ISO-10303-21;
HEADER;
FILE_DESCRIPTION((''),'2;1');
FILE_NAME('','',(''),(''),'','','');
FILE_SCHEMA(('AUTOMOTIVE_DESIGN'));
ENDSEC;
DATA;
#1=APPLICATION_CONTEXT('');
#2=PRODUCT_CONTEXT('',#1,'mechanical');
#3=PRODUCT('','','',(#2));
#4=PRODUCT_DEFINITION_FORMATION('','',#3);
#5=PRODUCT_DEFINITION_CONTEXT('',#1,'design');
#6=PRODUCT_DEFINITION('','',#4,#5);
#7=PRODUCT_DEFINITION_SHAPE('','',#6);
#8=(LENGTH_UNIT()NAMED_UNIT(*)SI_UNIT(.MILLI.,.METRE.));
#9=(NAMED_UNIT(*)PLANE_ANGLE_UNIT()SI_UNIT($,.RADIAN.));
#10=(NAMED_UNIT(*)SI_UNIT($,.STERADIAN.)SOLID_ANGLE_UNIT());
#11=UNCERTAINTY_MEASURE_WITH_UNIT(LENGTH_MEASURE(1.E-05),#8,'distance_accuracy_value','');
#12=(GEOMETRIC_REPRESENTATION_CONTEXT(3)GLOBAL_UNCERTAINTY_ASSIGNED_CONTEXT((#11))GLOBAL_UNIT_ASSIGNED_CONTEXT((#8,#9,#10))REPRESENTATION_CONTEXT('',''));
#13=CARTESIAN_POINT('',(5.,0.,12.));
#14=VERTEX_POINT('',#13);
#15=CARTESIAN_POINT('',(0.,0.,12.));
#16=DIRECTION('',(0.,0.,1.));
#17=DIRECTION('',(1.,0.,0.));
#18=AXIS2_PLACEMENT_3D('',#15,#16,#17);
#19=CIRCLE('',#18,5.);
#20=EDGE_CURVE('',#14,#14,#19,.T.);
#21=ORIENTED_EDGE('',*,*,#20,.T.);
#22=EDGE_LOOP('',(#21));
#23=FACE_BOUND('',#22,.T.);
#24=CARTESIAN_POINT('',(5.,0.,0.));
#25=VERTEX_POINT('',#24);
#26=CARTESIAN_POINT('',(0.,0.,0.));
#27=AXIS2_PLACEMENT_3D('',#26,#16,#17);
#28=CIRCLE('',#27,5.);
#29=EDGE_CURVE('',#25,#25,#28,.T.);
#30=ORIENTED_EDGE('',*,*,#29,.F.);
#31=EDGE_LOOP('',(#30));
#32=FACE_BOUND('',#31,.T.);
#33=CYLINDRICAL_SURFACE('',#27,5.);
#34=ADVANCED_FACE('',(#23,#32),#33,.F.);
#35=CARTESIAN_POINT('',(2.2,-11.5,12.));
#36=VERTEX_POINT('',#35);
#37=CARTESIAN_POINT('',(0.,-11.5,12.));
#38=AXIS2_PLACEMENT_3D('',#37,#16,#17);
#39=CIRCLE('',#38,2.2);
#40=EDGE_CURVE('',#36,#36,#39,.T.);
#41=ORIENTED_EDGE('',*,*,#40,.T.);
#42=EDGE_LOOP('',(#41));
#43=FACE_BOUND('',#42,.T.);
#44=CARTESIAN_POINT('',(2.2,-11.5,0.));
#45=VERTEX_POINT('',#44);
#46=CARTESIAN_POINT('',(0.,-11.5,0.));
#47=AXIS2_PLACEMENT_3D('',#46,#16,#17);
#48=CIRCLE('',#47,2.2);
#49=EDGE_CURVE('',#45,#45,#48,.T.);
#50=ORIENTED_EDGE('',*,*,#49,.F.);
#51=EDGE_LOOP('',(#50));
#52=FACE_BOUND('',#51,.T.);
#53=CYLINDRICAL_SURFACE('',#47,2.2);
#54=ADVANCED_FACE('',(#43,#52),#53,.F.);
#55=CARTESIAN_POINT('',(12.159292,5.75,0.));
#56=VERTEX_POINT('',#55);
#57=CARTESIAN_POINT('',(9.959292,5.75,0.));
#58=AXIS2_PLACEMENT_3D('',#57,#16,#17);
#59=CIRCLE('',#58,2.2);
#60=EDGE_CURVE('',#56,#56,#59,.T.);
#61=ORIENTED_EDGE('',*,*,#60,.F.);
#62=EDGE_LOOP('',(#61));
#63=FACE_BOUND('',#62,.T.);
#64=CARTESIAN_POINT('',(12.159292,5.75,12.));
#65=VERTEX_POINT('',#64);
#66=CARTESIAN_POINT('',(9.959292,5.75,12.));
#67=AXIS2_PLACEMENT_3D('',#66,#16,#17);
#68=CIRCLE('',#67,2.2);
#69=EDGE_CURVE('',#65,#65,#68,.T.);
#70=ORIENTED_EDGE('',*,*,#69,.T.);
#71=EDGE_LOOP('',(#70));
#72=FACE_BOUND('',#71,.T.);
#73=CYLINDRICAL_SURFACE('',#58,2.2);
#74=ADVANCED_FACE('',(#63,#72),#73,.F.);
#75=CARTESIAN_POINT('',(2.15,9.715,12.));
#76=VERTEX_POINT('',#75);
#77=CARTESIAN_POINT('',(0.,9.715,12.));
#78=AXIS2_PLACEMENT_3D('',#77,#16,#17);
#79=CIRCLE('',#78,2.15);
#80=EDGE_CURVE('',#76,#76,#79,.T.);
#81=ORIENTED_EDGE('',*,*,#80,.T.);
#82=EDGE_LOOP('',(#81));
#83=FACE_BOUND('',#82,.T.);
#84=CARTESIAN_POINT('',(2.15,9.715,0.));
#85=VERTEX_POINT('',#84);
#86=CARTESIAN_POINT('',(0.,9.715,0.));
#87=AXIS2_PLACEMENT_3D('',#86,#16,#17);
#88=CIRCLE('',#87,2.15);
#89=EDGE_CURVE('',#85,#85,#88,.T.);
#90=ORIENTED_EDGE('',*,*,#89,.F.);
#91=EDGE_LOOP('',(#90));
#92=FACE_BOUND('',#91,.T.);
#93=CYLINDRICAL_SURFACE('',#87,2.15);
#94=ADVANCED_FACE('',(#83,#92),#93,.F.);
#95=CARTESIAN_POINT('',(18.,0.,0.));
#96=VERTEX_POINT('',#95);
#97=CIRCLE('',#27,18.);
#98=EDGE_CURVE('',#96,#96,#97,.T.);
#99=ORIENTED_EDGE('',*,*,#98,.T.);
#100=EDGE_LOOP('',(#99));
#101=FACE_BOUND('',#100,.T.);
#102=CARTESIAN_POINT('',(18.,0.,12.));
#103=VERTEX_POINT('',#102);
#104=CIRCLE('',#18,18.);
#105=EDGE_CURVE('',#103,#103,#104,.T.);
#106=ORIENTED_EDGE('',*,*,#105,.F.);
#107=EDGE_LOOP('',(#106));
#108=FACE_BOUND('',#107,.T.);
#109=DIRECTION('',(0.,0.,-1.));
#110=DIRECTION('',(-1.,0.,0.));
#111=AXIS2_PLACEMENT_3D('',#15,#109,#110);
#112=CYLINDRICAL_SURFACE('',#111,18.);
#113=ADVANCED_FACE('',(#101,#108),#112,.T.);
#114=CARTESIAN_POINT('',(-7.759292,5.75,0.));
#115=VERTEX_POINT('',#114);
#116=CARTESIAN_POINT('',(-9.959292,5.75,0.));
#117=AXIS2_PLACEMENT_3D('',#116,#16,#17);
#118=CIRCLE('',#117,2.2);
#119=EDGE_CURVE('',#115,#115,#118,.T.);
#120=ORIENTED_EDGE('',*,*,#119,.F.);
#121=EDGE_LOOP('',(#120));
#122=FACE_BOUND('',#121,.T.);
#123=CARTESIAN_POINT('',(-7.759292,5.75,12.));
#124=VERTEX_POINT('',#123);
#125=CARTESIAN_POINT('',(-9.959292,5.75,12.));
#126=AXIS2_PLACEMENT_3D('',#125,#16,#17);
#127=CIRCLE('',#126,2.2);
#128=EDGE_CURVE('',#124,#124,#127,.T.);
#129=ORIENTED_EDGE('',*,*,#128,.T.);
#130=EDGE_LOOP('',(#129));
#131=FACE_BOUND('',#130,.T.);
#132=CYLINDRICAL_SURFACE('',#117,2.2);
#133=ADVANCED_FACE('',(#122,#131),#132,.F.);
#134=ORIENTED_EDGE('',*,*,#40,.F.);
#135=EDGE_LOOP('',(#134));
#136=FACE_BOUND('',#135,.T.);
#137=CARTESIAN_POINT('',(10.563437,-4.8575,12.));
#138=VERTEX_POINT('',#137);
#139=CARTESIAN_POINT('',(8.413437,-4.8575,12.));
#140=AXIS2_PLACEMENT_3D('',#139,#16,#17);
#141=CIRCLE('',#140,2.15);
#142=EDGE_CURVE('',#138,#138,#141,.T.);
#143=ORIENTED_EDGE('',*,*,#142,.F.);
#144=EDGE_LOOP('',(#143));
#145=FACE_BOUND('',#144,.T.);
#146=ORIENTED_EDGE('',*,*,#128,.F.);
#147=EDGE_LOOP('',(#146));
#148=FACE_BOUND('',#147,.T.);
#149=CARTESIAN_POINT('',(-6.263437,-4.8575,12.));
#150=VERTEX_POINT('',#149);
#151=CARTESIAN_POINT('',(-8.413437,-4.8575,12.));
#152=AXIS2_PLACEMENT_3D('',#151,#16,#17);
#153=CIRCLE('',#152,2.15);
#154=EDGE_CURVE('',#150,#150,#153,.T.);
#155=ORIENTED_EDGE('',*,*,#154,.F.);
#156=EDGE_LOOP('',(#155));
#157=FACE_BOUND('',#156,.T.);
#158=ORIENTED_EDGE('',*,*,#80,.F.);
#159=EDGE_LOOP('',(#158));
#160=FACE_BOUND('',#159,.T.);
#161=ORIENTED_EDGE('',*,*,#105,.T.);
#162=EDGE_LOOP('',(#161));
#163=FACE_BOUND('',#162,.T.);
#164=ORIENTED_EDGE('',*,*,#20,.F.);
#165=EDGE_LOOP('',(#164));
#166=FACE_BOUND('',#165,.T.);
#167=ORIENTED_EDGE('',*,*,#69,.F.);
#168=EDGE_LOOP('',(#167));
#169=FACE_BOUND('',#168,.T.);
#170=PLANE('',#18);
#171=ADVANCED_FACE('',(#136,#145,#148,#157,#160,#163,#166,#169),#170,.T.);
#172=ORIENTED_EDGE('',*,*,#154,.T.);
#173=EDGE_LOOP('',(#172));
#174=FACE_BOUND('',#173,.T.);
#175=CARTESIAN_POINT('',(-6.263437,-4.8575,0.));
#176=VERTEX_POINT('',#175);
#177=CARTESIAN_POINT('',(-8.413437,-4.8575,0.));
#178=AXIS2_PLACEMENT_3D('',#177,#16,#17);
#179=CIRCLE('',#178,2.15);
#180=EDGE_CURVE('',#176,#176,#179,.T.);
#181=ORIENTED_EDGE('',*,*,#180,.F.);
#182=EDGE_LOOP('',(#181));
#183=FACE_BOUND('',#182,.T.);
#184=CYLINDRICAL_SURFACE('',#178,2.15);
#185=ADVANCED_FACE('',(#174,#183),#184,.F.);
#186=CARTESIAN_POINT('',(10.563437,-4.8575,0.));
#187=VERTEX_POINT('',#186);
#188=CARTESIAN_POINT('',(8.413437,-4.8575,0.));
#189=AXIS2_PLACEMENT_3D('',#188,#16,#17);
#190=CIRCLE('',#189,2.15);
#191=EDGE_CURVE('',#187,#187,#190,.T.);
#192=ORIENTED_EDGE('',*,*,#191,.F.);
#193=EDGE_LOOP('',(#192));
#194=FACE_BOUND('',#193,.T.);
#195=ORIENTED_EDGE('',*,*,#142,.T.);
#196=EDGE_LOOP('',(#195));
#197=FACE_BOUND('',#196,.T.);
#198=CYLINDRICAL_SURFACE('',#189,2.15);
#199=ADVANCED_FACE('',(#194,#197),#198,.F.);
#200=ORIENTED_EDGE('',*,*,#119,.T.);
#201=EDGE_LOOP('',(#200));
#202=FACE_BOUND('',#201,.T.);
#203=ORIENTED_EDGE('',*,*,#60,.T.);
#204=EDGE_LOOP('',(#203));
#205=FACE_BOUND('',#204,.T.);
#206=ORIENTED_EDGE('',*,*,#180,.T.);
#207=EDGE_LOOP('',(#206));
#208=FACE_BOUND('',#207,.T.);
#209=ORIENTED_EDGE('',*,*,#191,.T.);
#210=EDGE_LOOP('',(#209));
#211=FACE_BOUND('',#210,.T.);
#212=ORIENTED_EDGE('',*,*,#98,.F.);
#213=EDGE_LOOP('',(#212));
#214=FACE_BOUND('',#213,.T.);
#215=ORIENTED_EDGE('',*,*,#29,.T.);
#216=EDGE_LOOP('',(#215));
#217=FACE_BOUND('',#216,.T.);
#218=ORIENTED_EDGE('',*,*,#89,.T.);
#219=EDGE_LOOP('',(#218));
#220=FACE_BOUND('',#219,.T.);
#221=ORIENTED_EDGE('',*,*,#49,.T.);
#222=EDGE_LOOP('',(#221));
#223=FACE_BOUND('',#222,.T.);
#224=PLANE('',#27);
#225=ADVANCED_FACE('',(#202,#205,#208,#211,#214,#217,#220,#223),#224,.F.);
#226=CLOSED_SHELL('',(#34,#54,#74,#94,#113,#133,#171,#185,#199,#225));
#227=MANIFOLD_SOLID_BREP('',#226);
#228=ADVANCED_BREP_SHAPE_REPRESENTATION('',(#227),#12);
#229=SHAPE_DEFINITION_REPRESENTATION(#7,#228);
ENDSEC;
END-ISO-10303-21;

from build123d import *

# Parameters (mm, degrees)
SKETCH_1_R          = 18
EXTRUDE_1_DEPTH     = 12
SKETCH_3_R          = 2.15
SKETCH_3_R_2        = 2.2
CUT_EXTRUDE_1_DEPTH = 29.142494559
SKETCH_4_R          = 5
CUT_EXTRUDE_2_DEPTH = 29.142494559


with BuildPart() as part:
    # 草图1 → 凸台-拉伸1 (new body)
    with BuildSketch(Plane.XY):
        Circle(SKETCH_1_R)
    extrude(amount=EXTRUDE_1_DEPTH)

    # 草图3 → 切除-拉伸1 (cut, through all)
    with BuildSketch(Plane.XY.offset(12)):
        with Locations((0, 9.715)):
            Circle(SKETCH_3_R)
        with Locations((8.413436798, -4.8575)):
            Circle(SKETCH_3_R)
        with Locations((-8.413436798, -4.8575)):
            Circle(SKETCH_3_R)
        with Locations((9.959292144, 5.75)):
            Circle(SKETCH_3_R_2)
        with Locations((0, -11.5)):
            Circle(SKETCH_3_R_2)
        with Locations((-9.959292144, 5.75)):
            Circle(SKETCH_3_R_2)
    extrude(amount=-CUT_EXTRUDE_1_DEPTH, mode=Mode.SUBTRACT)

    # 草图4 → 切除-拉伸2 (cut, through all)
    with BuildSketch(Plane.XY.offset(12)):
        Circle(SKETCH_4_R)
    extrude(amount=-CUT_EXTRUDE_2_DEPTH, mode=Mode.SUBTRACT)


solid = part.part
